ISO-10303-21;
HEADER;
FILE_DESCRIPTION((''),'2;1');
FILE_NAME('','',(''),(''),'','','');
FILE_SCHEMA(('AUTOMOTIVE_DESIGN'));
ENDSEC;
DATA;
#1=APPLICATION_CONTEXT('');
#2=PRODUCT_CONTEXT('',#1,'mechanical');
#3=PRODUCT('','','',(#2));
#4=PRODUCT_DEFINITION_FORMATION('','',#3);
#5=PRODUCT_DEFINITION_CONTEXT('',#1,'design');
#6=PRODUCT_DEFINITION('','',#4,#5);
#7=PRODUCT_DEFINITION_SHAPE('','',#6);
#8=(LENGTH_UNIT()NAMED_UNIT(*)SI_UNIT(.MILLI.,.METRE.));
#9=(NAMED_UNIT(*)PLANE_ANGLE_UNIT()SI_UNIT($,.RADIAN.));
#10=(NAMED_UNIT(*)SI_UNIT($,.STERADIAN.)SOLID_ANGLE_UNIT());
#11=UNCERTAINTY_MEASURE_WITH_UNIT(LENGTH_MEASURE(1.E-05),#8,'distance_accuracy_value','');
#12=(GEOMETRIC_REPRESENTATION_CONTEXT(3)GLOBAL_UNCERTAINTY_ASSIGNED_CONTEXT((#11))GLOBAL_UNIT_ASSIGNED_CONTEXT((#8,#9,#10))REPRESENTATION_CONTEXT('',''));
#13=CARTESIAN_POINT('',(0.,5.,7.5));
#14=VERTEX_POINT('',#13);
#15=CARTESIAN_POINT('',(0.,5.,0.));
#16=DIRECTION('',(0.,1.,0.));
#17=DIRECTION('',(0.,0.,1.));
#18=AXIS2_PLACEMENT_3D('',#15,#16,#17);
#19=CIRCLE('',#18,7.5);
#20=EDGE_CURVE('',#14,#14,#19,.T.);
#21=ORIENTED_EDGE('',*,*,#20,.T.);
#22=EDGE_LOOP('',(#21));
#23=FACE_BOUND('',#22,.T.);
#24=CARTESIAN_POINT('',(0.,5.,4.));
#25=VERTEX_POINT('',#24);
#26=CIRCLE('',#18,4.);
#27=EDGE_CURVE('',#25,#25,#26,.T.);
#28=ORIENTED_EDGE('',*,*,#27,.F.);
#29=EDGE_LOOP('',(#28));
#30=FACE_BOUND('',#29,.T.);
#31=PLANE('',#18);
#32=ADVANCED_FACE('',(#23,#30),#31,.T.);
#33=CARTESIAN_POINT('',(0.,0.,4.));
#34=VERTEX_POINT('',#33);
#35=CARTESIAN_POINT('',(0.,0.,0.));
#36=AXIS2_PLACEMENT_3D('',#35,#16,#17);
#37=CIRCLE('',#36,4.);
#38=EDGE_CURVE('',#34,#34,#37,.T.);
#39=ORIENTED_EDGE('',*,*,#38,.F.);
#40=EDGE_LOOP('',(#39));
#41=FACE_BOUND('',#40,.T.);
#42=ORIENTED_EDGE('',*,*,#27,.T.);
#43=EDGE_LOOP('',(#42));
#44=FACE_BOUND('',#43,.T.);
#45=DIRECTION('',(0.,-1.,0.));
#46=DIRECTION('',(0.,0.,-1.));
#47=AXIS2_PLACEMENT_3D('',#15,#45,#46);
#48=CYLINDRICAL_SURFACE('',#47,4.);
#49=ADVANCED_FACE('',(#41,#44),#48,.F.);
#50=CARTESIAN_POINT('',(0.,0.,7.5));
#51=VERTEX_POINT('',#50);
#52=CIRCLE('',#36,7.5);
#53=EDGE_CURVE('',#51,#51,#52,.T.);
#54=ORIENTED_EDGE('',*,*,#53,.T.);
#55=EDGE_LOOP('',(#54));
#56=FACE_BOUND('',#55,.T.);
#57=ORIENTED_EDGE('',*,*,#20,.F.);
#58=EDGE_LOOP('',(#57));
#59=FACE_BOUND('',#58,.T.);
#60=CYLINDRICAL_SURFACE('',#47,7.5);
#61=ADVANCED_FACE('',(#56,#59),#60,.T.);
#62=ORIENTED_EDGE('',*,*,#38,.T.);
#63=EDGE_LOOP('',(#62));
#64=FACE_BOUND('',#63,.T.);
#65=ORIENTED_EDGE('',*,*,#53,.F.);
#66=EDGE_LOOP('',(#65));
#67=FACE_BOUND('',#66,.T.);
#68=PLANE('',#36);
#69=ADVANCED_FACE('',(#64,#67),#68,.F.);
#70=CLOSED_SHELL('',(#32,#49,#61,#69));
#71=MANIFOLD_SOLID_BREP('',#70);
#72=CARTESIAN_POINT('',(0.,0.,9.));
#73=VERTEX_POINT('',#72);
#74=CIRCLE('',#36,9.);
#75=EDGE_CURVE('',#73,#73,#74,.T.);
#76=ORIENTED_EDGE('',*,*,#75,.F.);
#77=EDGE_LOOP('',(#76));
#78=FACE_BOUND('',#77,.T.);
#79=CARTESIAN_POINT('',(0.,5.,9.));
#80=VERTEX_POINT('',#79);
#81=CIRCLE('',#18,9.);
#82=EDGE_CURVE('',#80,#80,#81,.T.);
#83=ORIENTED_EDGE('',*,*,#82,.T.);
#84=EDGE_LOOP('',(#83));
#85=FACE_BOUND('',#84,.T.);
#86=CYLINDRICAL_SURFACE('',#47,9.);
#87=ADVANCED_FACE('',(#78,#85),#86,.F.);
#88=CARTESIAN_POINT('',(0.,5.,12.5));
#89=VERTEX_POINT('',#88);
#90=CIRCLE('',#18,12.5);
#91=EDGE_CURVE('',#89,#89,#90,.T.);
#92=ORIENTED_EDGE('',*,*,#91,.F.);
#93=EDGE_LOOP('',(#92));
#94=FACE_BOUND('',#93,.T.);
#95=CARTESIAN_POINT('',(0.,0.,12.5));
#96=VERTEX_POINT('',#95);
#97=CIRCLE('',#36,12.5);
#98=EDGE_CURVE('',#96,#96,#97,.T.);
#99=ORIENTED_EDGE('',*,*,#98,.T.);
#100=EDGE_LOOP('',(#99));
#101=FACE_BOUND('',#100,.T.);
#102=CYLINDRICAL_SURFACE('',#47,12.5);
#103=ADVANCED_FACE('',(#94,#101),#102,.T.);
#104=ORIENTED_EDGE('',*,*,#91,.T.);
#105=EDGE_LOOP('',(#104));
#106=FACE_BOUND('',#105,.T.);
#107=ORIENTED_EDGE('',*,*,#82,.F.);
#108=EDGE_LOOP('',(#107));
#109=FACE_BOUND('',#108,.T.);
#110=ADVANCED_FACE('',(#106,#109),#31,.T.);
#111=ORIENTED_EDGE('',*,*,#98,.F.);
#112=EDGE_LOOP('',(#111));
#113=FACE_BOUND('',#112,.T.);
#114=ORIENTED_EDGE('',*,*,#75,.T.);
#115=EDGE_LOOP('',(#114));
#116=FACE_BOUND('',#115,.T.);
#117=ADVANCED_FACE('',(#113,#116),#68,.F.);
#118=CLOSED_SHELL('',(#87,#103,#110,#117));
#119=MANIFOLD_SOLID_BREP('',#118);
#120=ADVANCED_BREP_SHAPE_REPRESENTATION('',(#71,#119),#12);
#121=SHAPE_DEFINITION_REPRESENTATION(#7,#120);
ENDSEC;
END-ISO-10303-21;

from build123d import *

# Parameters (mm, degrees)
SKETCH1_R           = 7.5
SKETCH1_R_2         = 4
BOSS_EXTRUDE1_DEPTH = 5
SKETCH2_R           = 12.5
SKETCH2_R_2         = 9
BOSS_EXTRUDE2_DEPTH = 5


with BuildPart() as part:
    # Sketch1 → Boss-Extrude1 (new body)
    with BuildSketch(Plane(origin=(0, 0, 0), x_dir=(1, 0, 0), z_dir=(0, 1, 0))):
        Circle(SKETCH1_R)
        Circle(SKETCH1_R_2, mode=Mode.SUBTRACT)
    extrude(amount=BOSS_EXTRUDE1_DEPTH)


with BuildPart() as body_2:
    # Sketch2 → Boss-Extrude2 (new body)
    with BuildSketch(Plane(origin=(0, 0, 0), x_dir=(1, 0, 0), z_dir=(0, 1, 0))):
        Circle(SKETCH2_R)
        Circle(SKETCH2_R_2, mode=Mode.SUBTRACT)
    extrude(amount=BOSS_EXTRUDE2_DEPTH)


solid = Compound([part.part, body_2.part])
